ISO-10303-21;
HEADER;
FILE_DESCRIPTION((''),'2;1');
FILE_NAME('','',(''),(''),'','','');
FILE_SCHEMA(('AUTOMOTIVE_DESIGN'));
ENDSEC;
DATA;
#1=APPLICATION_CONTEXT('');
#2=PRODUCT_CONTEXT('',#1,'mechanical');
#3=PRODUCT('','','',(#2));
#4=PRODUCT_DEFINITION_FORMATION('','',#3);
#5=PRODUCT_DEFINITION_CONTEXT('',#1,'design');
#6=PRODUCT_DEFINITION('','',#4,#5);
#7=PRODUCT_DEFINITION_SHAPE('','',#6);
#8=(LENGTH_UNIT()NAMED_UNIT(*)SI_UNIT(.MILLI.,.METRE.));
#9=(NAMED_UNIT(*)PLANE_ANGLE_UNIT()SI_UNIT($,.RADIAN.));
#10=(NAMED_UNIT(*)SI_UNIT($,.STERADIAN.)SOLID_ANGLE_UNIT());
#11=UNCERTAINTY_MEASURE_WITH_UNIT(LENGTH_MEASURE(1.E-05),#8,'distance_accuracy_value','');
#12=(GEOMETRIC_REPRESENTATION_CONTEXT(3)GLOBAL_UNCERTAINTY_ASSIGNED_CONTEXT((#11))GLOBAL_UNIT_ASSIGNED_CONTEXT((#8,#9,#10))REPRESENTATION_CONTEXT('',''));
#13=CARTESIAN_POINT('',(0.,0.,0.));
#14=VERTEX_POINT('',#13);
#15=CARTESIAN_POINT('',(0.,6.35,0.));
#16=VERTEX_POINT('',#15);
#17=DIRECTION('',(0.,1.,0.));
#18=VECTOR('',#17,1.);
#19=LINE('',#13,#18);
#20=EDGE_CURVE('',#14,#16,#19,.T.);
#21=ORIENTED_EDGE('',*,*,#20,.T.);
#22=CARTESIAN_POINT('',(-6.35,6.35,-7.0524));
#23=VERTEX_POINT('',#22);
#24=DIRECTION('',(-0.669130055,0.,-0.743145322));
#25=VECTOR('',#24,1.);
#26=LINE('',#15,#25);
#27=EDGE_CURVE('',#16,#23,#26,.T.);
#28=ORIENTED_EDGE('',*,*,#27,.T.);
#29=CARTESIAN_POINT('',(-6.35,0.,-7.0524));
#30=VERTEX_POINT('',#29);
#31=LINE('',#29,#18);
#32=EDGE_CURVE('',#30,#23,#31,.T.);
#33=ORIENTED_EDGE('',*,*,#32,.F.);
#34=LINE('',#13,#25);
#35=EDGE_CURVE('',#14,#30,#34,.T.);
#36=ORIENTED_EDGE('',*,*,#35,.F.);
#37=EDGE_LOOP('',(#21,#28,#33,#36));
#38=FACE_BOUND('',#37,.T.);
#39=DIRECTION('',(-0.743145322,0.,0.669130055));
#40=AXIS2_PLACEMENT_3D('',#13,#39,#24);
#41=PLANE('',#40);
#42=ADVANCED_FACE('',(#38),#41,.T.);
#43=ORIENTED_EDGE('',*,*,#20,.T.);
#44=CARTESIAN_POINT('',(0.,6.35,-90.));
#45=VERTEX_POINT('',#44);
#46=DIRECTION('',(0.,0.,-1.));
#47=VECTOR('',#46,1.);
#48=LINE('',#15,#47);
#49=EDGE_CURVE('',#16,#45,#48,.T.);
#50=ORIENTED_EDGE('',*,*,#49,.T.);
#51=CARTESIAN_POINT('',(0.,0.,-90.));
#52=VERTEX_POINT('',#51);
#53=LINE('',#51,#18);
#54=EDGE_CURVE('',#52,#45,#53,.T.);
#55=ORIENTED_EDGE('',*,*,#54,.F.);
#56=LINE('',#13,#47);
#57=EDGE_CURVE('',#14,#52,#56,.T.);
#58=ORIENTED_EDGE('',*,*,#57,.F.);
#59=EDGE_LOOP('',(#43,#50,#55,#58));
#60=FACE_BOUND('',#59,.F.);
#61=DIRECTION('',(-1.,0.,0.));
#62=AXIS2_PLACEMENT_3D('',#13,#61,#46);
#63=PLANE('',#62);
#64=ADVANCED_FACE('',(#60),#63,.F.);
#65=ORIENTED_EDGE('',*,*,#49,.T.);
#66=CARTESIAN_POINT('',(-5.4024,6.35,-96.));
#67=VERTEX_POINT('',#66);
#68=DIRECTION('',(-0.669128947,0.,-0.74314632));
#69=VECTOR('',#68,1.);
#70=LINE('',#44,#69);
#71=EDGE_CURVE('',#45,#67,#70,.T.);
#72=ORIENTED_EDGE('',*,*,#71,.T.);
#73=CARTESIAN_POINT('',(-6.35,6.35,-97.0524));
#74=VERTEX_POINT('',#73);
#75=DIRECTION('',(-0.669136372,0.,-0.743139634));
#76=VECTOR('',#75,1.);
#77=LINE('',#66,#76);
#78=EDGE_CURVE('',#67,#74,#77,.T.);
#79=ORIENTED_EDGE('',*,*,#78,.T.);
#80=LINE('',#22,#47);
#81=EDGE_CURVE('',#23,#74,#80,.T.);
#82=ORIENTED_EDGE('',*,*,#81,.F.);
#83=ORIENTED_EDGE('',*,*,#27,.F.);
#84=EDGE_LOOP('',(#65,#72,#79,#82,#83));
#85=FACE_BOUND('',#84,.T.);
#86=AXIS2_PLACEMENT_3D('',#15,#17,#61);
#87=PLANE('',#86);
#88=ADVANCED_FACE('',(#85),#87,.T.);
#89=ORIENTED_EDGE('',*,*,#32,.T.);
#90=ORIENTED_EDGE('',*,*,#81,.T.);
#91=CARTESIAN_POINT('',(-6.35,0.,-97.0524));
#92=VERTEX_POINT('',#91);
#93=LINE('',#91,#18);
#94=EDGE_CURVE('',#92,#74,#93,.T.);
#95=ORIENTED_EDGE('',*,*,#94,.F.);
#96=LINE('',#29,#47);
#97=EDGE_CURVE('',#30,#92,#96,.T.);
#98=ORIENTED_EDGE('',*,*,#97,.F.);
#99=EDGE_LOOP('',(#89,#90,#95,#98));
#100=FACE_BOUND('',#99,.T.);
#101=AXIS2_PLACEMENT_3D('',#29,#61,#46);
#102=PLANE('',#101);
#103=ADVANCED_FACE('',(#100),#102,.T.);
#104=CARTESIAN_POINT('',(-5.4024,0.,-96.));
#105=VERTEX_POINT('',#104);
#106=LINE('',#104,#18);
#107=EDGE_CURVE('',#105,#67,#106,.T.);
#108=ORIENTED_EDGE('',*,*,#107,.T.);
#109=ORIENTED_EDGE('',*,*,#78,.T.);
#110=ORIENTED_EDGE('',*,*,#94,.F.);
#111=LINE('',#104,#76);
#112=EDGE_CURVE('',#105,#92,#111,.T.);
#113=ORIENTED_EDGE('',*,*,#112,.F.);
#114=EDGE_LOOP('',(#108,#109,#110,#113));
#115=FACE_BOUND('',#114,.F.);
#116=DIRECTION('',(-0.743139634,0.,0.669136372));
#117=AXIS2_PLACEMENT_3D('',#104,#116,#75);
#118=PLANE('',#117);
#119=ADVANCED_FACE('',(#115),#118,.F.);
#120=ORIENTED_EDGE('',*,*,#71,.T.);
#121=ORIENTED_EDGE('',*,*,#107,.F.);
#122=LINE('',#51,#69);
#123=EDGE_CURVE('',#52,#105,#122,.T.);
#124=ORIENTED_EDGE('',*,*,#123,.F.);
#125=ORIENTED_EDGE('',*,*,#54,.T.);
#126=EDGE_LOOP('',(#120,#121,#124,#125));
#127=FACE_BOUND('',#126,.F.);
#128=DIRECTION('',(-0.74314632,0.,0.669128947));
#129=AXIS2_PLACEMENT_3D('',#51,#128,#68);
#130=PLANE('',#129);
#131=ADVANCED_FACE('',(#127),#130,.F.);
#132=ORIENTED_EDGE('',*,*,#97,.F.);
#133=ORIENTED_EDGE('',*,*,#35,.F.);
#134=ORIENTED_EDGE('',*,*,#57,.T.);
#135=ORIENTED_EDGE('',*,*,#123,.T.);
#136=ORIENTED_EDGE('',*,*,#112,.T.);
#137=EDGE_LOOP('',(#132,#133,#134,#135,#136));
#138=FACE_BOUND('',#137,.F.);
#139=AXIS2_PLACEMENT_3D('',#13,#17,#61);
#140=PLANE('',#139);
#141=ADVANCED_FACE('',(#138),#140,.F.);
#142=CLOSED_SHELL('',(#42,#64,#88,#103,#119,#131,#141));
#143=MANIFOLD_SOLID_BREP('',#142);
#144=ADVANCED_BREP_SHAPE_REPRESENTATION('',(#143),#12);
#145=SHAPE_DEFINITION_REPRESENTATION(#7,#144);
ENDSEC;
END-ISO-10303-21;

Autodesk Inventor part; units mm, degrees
ref_plane "YZ Plane" through (0, 0, 0) normal (1, 0, 0) x (0, 1, 0)
ref_plane "XZ Plane" through (0, 0, 0) normal (0, 1, 0) x (-1, 0, 0)
ref_plane "XY Plane" through (0, 0, 0) normal (0, 0, 1) x (1, 0, 0)
sketch "Sketch1" plane through (0, 0, 0) normal (0, 1, 0) x (-1, 0, 0)
  line L0 (0, 0) -> (0, -90)
  line L1 (0, -90) -> (5.4024, -96)
  line L2 (0, -90) -> (8.0738, -90) construction
  line L3 (5.4024, -96) -> (6.35, -97.0524)
  line L4 (0, 0) -> (6.35, -7.0524)
  line L5 (6.35, -7.0524) -> (6.35, -97.0524)
  dimension "d0" = 90
extrude "Extrusion1" add sketch "Sketch1" along normal blind 6.35
properties part number "2ndFloorLongAngle"
